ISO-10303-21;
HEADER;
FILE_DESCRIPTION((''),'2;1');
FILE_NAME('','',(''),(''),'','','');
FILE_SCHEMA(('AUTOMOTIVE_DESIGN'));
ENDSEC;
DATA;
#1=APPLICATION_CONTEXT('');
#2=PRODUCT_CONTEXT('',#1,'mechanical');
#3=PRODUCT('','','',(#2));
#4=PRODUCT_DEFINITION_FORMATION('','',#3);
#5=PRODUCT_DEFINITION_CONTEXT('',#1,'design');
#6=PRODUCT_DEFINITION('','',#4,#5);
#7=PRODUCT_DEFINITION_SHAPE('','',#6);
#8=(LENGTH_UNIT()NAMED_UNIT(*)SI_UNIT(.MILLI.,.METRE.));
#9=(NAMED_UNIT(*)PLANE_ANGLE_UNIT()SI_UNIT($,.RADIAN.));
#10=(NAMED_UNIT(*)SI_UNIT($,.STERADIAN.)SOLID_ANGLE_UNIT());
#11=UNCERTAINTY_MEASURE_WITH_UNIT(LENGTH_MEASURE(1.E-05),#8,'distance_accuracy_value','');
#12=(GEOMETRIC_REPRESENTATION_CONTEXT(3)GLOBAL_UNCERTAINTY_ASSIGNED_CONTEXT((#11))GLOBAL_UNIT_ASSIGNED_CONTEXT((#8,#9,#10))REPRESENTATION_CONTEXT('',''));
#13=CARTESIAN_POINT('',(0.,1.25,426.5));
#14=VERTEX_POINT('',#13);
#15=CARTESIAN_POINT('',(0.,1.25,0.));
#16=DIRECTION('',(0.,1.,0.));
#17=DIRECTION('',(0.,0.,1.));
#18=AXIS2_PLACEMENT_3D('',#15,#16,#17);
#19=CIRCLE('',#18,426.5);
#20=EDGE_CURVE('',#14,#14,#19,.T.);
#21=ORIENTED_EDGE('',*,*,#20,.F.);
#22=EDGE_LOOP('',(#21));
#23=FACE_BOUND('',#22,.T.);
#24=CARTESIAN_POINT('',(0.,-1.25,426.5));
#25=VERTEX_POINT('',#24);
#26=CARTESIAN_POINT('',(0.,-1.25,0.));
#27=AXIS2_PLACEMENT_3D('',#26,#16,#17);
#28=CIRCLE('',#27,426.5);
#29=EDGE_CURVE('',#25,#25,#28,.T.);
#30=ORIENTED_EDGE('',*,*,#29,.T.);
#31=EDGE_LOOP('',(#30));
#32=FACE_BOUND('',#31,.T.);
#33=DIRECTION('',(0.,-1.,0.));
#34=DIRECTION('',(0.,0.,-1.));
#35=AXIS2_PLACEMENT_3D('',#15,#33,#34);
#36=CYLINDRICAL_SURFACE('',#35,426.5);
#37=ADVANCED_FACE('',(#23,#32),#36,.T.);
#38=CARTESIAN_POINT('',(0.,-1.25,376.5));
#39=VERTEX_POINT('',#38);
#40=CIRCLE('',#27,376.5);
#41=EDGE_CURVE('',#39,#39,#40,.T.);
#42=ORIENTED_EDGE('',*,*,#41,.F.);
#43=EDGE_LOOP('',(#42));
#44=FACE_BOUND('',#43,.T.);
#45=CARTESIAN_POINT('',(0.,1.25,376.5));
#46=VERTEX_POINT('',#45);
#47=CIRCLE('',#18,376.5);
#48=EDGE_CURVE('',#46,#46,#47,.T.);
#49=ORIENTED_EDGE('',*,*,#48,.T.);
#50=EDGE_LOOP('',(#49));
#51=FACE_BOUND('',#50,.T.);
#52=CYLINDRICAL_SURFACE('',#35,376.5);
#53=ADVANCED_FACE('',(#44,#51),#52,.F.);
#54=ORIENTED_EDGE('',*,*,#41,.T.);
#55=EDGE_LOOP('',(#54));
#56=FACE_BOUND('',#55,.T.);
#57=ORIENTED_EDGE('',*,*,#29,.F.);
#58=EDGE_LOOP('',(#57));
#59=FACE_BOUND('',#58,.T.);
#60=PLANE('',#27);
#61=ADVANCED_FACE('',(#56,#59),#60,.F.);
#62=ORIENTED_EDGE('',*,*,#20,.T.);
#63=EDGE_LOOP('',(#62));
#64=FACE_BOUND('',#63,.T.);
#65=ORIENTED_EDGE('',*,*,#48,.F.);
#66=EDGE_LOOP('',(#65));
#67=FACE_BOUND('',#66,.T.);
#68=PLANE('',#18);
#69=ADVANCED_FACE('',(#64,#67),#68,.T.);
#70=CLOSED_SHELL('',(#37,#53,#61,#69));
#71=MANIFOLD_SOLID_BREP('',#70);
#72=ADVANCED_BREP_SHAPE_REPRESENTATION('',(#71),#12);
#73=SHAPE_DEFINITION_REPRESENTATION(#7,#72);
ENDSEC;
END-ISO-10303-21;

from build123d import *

# Parameters (mm, degrees)
SKETCH1_R           = 426.5
SKETCH1_R_2         = 376.5
BOSS_EXTRUDE1_DEPTH = 1.25


with BuildPart() as part:
    # Sketch1 → Boss-Extrude1 (new, symmetric)
    with BuildSketch(Plane(origin=(0, 0, 0), x_dir=(1, 0, 0), z_dir=(0, 1, 0))):
        with Locations(Location((0, 0, 0), (0, 0, 270))):
            Circle(SKETCH1_R)
        with Locations(Location((0, 0, 0), (0, 0, 270))):
            Circle(SKETCH1_R_2, mode=Mode.SUBTRACT)
    extrude(amount=BOSS_EXTRUDE1_DEPTH, both=True)


solid = part.part
